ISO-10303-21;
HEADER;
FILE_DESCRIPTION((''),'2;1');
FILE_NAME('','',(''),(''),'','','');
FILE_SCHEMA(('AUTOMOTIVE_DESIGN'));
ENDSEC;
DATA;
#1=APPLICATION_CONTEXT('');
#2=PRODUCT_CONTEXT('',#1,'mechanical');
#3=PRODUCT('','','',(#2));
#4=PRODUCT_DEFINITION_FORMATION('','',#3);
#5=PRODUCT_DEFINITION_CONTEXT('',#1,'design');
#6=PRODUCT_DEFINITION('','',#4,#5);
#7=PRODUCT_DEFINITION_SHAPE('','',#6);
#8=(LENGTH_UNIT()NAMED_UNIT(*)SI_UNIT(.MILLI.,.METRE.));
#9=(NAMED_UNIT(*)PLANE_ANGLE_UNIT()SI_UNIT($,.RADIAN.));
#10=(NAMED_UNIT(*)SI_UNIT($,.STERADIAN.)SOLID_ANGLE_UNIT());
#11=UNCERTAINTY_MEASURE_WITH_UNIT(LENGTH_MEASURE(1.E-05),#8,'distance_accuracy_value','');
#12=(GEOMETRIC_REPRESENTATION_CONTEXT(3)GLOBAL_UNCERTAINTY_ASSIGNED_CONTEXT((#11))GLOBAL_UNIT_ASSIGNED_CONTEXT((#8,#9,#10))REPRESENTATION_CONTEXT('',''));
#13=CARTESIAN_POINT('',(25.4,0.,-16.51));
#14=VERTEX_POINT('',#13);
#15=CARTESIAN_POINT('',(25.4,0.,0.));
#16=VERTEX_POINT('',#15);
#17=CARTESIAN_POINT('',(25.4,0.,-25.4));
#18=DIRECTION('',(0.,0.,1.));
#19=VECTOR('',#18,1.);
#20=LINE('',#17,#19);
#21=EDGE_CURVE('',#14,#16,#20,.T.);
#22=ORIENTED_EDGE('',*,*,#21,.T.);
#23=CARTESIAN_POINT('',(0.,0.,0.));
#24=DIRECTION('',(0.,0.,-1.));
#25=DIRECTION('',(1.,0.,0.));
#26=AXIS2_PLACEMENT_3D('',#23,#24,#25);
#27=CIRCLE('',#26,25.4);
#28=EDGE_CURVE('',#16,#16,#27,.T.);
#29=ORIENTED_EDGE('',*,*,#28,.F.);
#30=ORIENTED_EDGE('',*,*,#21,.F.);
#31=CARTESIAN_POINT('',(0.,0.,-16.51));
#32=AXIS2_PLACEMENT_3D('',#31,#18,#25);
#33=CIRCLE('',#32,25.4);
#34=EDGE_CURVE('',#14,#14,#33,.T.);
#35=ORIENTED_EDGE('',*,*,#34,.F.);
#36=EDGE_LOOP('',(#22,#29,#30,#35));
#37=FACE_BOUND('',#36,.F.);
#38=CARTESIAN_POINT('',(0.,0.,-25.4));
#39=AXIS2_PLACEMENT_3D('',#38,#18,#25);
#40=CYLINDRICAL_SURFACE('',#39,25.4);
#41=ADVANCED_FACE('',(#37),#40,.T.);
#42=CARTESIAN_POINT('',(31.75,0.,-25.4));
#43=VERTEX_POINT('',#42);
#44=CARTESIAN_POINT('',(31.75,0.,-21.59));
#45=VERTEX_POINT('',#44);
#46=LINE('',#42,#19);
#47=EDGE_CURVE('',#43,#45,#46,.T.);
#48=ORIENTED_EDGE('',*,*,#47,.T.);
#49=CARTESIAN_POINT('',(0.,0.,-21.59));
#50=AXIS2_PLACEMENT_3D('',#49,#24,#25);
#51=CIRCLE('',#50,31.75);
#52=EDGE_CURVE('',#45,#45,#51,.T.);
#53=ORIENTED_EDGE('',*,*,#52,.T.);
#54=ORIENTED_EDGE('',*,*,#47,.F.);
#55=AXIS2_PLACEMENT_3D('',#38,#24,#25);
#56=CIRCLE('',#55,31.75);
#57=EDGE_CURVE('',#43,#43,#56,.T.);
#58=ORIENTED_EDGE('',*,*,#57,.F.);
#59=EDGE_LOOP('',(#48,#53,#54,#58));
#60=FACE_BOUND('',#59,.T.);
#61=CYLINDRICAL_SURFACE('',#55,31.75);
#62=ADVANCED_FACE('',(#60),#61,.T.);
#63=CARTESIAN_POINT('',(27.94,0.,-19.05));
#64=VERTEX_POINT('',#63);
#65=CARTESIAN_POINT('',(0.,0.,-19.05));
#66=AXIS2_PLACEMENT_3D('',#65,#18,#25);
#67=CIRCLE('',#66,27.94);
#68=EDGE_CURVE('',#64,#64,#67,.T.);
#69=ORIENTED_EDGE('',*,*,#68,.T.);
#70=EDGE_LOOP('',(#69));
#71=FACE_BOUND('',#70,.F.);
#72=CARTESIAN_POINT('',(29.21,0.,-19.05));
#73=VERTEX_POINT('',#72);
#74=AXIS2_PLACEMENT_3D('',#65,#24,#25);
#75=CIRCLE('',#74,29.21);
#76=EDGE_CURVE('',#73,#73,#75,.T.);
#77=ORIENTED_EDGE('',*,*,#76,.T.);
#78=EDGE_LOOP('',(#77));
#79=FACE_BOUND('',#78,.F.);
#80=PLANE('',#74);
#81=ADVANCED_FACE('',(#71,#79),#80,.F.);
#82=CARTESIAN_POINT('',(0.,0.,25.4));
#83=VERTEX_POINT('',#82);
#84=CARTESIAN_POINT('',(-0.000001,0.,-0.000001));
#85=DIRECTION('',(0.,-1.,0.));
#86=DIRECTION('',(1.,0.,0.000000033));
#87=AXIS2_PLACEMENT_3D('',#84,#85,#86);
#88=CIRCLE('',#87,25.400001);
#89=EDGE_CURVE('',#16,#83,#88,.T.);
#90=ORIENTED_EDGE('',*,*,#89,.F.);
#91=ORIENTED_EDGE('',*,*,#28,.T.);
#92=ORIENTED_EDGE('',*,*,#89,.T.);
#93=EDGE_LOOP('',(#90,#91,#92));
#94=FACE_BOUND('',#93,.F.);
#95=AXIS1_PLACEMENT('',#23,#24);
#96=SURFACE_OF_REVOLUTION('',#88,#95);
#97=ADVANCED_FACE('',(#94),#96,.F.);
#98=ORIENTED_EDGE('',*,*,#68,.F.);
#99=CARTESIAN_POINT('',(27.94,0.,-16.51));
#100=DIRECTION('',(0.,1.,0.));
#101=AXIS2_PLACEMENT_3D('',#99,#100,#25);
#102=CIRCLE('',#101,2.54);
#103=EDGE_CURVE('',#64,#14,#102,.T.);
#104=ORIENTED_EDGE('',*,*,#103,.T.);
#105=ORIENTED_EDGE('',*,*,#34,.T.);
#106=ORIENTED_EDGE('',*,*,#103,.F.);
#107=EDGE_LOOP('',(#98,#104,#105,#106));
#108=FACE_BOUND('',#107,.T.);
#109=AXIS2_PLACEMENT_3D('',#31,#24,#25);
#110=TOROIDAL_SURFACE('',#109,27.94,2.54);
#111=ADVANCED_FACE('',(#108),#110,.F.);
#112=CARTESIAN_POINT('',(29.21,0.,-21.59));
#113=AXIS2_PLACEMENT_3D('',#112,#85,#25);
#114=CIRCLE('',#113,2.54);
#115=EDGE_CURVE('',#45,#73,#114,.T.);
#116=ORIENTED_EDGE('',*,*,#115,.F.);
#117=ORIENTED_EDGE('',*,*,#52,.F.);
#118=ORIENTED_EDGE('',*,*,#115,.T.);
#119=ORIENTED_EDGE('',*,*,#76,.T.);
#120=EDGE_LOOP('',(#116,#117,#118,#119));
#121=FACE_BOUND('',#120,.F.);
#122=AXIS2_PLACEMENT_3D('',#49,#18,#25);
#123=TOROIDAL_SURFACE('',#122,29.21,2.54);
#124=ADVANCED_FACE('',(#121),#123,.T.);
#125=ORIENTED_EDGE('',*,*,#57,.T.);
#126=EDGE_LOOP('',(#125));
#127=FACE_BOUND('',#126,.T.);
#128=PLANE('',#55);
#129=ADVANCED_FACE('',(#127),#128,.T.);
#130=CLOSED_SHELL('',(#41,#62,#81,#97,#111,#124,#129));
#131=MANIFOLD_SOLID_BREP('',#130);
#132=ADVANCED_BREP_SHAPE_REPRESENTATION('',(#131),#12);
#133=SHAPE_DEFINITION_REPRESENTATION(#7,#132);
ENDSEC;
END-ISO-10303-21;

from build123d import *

# Parameters (mm, degrees)
F2_R     = 31.75
F3_DEPTH = 6.35
F4_R     = 2.54


with BuildPart() as f1:
    # F0 (on Front) → F1 (revolve)
    with BuildSketch(Plane.XZ):
        with BuildLine():
            ThreePointArc((25.4, 0), (17.960512, 17.960512), (0, 25.4))
            Line((0, 25.4), (0, -25.4))
            Line((0, -25.4), (25.4, -25.4))
            Line((25.4, -25.4), (25.4, 0))
        make_face()
    revolve(axis=Axis((0, 0, 0), (0, 0, -1)))

    # F2 (on face) → F3 (join)
    with BuildSketch(Plane(origin=(0, 0, -25.4), x_dir=(1, 0, 0), z_dir=(0, 0, -1))):
        Circle(F2_R)
    extrude(amount=-F3_DEPTH)

    # F4
    f4_edges = [f1.edges().sort_by_distance(p)[0] for p in [
        (-25.4, 0, -19.05),
        (-31.75, 0, -19.05),
        (-25.4, 0, 0),
    ]]
    fillet(f4_edges, radius=F4_R)


solid = f1.part
